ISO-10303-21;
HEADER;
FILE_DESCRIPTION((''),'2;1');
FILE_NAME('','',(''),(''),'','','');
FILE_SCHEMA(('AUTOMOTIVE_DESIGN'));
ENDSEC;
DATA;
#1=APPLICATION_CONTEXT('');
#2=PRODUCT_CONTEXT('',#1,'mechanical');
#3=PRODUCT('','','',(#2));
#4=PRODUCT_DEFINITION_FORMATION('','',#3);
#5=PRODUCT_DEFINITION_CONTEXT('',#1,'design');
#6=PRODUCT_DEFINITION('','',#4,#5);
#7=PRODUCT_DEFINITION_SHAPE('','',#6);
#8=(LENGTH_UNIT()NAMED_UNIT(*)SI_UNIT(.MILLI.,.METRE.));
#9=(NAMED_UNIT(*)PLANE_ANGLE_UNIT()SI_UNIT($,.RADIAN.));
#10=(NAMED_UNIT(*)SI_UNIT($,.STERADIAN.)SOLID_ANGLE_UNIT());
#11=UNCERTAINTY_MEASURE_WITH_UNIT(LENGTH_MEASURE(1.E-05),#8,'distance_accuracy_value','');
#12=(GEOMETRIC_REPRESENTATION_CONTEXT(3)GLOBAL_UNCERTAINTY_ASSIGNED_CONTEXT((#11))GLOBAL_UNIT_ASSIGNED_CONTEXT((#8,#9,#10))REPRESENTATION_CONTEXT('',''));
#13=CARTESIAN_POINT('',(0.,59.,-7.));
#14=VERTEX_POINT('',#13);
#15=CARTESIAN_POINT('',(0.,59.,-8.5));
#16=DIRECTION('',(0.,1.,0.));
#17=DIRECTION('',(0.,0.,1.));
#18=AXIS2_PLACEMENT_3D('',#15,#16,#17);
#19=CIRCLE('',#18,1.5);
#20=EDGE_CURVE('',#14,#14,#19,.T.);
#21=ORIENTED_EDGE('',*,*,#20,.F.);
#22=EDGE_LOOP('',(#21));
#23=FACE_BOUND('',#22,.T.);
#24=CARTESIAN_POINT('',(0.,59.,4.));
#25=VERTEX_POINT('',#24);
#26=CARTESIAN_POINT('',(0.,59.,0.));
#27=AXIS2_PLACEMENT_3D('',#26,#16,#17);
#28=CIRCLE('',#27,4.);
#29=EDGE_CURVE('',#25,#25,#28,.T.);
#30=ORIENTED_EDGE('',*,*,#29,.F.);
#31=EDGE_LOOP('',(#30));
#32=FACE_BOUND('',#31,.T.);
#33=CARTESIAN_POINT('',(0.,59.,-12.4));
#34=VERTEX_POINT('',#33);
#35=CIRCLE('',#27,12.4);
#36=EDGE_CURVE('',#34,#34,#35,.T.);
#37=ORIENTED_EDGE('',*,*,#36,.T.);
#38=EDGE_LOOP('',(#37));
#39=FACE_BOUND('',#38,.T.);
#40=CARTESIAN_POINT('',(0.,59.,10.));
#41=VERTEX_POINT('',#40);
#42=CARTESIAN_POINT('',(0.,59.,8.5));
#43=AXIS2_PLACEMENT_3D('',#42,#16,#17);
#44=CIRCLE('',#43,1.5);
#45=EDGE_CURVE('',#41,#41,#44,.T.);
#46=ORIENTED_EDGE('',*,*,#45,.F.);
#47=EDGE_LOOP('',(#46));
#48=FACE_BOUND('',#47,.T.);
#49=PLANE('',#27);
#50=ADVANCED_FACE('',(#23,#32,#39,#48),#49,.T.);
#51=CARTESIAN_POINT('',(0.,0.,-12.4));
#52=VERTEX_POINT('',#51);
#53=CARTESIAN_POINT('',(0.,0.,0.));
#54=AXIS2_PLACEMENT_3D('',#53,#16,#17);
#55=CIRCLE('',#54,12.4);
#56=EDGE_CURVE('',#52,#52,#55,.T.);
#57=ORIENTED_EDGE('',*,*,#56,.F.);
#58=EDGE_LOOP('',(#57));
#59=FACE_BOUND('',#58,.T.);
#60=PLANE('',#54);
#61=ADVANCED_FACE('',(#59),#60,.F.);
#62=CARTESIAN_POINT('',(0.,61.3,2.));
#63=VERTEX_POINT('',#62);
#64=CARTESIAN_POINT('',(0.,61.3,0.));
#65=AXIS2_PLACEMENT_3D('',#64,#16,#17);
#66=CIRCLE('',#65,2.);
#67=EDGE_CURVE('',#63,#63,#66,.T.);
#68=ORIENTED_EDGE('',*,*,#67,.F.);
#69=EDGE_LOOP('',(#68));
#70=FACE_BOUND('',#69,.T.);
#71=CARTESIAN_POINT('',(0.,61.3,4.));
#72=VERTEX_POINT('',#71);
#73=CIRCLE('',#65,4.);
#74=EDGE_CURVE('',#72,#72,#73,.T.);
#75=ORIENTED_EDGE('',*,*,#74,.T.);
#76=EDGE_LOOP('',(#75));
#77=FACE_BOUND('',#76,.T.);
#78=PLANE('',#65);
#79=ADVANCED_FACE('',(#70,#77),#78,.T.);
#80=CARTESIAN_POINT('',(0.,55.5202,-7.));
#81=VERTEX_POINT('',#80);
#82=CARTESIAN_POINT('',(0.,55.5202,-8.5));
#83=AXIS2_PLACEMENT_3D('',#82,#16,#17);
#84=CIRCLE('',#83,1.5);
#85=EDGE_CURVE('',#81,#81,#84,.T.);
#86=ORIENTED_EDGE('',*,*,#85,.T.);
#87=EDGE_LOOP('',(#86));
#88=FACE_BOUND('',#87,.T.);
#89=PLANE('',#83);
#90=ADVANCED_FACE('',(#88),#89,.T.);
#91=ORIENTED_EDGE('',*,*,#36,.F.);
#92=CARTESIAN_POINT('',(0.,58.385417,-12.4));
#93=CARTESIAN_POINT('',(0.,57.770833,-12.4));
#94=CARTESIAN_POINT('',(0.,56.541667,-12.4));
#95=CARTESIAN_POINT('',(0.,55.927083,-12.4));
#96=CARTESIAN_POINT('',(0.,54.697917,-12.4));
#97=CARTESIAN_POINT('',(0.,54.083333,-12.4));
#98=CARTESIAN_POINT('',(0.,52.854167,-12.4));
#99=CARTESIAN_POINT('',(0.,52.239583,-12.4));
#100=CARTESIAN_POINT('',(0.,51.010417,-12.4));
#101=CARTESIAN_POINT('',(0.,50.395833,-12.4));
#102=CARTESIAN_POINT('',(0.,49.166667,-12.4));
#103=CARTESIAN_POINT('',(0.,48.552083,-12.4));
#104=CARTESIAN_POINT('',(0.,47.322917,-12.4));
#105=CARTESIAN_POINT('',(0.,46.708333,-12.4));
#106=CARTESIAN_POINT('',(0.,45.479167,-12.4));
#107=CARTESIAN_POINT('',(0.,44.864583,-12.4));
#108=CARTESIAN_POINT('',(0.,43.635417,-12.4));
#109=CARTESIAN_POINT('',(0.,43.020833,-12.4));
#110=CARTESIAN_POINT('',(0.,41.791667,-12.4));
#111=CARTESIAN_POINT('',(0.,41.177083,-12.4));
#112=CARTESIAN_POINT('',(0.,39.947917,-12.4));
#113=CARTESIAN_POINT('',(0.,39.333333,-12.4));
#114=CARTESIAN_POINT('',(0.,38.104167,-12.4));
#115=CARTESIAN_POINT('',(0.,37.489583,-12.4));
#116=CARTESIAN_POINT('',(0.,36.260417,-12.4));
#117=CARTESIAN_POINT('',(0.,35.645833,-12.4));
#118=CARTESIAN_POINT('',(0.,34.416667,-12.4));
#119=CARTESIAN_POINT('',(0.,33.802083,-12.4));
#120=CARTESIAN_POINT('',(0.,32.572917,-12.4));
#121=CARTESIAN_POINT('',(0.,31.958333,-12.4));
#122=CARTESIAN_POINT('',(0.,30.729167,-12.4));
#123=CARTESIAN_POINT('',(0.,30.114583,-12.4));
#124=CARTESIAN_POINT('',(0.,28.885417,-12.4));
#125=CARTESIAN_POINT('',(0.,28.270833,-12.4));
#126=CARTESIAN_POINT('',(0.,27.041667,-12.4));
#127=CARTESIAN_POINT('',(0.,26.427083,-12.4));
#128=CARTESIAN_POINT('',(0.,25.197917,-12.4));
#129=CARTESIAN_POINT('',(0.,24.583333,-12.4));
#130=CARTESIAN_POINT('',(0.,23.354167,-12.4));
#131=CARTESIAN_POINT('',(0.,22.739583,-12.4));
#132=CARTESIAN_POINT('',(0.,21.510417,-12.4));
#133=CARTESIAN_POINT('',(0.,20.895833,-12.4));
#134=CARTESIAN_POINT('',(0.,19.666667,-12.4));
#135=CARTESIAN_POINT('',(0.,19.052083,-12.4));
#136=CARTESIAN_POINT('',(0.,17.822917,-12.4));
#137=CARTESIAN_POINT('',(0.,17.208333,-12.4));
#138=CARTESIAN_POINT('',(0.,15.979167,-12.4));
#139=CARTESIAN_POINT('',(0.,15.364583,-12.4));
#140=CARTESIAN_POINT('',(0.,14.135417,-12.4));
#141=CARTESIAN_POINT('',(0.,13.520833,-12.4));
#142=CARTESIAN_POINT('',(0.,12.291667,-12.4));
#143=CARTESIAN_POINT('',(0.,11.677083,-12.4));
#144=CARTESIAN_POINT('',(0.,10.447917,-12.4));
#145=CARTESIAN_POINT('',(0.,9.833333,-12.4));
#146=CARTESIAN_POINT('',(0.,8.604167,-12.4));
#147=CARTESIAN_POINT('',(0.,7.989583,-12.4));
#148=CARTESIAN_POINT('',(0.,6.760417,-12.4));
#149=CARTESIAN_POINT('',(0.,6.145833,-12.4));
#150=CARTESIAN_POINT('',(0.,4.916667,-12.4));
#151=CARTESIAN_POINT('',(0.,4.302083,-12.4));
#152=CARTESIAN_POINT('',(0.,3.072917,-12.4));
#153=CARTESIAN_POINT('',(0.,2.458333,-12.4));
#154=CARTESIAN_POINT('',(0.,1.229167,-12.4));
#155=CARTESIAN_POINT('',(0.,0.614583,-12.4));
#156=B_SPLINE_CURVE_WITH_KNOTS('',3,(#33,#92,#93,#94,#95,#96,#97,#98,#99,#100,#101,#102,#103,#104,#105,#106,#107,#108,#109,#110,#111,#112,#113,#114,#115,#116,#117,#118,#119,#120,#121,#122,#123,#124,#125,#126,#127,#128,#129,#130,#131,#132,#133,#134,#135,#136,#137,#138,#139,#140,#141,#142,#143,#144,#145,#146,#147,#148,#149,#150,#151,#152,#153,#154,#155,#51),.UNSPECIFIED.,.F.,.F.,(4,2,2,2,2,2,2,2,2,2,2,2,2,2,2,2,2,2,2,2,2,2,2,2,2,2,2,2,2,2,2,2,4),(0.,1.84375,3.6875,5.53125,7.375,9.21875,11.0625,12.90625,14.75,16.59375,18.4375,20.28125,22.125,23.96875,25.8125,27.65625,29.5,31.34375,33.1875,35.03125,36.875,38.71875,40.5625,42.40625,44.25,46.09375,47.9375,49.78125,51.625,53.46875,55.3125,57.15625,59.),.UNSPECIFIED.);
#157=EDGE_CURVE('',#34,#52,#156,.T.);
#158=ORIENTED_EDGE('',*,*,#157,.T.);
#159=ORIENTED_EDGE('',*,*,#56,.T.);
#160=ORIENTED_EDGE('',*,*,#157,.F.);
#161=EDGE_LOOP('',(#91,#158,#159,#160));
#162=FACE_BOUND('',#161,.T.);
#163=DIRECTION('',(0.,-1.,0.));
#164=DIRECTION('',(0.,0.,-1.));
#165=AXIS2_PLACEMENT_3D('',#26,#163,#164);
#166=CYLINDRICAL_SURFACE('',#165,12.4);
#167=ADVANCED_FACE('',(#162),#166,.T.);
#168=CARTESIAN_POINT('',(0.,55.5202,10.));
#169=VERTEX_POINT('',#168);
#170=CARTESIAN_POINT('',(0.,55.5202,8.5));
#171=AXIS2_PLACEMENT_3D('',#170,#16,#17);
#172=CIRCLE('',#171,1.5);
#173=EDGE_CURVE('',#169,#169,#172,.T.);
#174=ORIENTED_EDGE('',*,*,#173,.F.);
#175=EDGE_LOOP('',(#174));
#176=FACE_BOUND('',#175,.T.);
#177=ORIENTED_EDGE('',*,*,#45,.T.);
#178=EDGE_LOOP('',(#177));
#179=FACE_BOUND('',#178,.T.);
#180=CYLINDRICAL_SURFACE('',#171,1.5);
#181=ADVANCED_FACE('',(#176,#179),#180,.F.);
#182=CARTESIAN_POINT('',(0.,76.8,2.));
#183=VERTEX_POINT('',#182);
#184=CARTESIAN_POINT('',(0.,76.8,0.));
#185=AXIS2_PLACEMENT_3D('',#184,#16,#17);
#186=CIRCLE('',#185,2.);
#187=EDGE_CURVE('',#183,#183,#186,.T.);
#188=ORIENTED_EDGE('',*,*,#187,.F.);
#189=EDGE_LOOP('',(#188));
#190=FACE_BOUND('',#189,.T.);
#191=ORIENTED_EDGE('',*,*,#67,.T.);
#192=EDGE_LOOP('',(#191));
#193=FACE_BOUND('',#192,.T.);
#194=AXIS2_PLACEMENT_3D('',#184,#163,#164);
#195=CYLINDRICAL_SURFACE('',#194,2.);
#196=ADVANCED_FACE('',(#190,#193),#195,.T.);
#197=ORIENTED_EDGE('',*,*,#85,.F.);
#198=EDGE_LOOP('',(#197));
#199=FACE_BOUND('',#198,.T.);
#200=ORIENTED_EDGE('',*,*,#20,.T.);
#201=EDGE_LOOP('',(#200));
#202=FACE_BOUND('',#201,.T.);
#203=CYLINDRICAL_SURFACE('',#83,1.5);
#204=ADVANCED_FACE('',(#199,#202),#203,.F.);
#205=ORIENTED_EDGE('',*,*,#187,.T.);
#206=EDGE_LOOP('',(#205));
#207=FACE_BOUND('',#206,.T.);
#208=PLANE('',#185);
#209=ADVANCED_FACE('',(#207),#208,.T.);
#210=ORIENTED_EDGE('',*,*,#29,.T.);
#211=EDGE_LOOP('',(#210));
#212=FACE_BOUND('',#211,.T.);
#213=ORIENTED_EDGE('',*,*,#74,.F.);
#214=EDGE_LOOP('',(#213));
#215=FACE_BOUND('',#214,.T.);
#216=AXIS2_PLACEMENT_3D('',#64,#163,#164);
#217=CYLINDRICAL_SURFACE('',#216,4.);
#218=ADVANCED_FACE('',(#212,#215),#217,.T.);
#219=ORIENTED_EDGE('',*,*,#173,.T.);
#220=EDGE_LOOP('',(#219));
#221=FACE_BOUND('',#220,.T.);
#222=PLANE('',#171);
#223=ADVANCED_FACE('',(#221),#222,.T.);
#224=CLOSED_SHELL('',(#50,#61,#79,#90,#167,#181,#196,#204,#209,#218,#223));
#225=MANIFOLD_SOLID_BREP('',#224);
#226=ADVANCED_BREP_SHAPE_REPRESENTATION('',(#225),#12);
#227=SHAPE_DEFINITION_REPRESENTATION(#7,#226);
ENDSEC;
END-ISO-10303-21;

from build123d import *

# Parameters (mm, degrees)
SKETCH1_R           = 12.4
BOSS_EXTRUDE1_DEPTH = 59
SKETCH2_R           = 1.5
CUT_EXTRUDE1_DEPTH  = 3.4798
SKETCH4_R           = 4
BOSS_EXTRUDE3_DEPTH = 2.3
SKETCH5_R           = 2
BOSS_EXTRUDE4_DEPTH = 15.5


with BuildPart() as part:
    # Sketch1 → Boss-Extrude1 (new body)
    with BuildSketch(Plane(origin=(0, 0, 0), x_dir=(1, 0, 0), z_dir=(0, 1, 0))):
        with Locations(Location((0, 0, 0), (0, 0, 90))):
            Circle(SKETCH1_R)
    extrude(amount=BOSS_EXTRUDE1_DEPTH)

    # Sketch2 → Cut-Extrude1 (cut)
    with BuildSketch(Plane(origin=(0, 59, 0), x_dir=(1, 0, 0), z_dir=(0, 1, 0))):
        with Locations(Location((0, 8.5, 0), (0, 0, 270))):
            Circle(SKETCH2_R)
        with Locations(Location((0, -8.5, 0), (0, 0, 270))):
            Circle(SKETCH2_R)
    extrude(amount=-CUT_EXTRUDE1_DEPTH, mode=Mode.SUBTRACT)

    # Sketch4 → Boss-Extrude3 (add)
    with BuildSketch(Plane(origin=(0, 59, 0), x_dir=(1, 0, 0), z_dir=(0, 1, 0))):
        with Locations(Location((0, 0, 0), (0, 0, 270))):
            Circle(SKETCH4_R)
    extrude(amount=BOSS_EXTRUDE3_DEPTH)

    # Sketch5 → Boss-Extrude4 (add)
    with BuildSketch(Plane(origin=(0, 61.3, 0), x_dir=(1, 0, 0), z_dir=(0, 1, 0))):
        with Locations(Location((0, 0, 0), (0, 0, 270))):
            Circle(SKETCH5_R)
    extrude(amount=BOSS_EXTRUDE4_DEPTH)


solid = part.part
